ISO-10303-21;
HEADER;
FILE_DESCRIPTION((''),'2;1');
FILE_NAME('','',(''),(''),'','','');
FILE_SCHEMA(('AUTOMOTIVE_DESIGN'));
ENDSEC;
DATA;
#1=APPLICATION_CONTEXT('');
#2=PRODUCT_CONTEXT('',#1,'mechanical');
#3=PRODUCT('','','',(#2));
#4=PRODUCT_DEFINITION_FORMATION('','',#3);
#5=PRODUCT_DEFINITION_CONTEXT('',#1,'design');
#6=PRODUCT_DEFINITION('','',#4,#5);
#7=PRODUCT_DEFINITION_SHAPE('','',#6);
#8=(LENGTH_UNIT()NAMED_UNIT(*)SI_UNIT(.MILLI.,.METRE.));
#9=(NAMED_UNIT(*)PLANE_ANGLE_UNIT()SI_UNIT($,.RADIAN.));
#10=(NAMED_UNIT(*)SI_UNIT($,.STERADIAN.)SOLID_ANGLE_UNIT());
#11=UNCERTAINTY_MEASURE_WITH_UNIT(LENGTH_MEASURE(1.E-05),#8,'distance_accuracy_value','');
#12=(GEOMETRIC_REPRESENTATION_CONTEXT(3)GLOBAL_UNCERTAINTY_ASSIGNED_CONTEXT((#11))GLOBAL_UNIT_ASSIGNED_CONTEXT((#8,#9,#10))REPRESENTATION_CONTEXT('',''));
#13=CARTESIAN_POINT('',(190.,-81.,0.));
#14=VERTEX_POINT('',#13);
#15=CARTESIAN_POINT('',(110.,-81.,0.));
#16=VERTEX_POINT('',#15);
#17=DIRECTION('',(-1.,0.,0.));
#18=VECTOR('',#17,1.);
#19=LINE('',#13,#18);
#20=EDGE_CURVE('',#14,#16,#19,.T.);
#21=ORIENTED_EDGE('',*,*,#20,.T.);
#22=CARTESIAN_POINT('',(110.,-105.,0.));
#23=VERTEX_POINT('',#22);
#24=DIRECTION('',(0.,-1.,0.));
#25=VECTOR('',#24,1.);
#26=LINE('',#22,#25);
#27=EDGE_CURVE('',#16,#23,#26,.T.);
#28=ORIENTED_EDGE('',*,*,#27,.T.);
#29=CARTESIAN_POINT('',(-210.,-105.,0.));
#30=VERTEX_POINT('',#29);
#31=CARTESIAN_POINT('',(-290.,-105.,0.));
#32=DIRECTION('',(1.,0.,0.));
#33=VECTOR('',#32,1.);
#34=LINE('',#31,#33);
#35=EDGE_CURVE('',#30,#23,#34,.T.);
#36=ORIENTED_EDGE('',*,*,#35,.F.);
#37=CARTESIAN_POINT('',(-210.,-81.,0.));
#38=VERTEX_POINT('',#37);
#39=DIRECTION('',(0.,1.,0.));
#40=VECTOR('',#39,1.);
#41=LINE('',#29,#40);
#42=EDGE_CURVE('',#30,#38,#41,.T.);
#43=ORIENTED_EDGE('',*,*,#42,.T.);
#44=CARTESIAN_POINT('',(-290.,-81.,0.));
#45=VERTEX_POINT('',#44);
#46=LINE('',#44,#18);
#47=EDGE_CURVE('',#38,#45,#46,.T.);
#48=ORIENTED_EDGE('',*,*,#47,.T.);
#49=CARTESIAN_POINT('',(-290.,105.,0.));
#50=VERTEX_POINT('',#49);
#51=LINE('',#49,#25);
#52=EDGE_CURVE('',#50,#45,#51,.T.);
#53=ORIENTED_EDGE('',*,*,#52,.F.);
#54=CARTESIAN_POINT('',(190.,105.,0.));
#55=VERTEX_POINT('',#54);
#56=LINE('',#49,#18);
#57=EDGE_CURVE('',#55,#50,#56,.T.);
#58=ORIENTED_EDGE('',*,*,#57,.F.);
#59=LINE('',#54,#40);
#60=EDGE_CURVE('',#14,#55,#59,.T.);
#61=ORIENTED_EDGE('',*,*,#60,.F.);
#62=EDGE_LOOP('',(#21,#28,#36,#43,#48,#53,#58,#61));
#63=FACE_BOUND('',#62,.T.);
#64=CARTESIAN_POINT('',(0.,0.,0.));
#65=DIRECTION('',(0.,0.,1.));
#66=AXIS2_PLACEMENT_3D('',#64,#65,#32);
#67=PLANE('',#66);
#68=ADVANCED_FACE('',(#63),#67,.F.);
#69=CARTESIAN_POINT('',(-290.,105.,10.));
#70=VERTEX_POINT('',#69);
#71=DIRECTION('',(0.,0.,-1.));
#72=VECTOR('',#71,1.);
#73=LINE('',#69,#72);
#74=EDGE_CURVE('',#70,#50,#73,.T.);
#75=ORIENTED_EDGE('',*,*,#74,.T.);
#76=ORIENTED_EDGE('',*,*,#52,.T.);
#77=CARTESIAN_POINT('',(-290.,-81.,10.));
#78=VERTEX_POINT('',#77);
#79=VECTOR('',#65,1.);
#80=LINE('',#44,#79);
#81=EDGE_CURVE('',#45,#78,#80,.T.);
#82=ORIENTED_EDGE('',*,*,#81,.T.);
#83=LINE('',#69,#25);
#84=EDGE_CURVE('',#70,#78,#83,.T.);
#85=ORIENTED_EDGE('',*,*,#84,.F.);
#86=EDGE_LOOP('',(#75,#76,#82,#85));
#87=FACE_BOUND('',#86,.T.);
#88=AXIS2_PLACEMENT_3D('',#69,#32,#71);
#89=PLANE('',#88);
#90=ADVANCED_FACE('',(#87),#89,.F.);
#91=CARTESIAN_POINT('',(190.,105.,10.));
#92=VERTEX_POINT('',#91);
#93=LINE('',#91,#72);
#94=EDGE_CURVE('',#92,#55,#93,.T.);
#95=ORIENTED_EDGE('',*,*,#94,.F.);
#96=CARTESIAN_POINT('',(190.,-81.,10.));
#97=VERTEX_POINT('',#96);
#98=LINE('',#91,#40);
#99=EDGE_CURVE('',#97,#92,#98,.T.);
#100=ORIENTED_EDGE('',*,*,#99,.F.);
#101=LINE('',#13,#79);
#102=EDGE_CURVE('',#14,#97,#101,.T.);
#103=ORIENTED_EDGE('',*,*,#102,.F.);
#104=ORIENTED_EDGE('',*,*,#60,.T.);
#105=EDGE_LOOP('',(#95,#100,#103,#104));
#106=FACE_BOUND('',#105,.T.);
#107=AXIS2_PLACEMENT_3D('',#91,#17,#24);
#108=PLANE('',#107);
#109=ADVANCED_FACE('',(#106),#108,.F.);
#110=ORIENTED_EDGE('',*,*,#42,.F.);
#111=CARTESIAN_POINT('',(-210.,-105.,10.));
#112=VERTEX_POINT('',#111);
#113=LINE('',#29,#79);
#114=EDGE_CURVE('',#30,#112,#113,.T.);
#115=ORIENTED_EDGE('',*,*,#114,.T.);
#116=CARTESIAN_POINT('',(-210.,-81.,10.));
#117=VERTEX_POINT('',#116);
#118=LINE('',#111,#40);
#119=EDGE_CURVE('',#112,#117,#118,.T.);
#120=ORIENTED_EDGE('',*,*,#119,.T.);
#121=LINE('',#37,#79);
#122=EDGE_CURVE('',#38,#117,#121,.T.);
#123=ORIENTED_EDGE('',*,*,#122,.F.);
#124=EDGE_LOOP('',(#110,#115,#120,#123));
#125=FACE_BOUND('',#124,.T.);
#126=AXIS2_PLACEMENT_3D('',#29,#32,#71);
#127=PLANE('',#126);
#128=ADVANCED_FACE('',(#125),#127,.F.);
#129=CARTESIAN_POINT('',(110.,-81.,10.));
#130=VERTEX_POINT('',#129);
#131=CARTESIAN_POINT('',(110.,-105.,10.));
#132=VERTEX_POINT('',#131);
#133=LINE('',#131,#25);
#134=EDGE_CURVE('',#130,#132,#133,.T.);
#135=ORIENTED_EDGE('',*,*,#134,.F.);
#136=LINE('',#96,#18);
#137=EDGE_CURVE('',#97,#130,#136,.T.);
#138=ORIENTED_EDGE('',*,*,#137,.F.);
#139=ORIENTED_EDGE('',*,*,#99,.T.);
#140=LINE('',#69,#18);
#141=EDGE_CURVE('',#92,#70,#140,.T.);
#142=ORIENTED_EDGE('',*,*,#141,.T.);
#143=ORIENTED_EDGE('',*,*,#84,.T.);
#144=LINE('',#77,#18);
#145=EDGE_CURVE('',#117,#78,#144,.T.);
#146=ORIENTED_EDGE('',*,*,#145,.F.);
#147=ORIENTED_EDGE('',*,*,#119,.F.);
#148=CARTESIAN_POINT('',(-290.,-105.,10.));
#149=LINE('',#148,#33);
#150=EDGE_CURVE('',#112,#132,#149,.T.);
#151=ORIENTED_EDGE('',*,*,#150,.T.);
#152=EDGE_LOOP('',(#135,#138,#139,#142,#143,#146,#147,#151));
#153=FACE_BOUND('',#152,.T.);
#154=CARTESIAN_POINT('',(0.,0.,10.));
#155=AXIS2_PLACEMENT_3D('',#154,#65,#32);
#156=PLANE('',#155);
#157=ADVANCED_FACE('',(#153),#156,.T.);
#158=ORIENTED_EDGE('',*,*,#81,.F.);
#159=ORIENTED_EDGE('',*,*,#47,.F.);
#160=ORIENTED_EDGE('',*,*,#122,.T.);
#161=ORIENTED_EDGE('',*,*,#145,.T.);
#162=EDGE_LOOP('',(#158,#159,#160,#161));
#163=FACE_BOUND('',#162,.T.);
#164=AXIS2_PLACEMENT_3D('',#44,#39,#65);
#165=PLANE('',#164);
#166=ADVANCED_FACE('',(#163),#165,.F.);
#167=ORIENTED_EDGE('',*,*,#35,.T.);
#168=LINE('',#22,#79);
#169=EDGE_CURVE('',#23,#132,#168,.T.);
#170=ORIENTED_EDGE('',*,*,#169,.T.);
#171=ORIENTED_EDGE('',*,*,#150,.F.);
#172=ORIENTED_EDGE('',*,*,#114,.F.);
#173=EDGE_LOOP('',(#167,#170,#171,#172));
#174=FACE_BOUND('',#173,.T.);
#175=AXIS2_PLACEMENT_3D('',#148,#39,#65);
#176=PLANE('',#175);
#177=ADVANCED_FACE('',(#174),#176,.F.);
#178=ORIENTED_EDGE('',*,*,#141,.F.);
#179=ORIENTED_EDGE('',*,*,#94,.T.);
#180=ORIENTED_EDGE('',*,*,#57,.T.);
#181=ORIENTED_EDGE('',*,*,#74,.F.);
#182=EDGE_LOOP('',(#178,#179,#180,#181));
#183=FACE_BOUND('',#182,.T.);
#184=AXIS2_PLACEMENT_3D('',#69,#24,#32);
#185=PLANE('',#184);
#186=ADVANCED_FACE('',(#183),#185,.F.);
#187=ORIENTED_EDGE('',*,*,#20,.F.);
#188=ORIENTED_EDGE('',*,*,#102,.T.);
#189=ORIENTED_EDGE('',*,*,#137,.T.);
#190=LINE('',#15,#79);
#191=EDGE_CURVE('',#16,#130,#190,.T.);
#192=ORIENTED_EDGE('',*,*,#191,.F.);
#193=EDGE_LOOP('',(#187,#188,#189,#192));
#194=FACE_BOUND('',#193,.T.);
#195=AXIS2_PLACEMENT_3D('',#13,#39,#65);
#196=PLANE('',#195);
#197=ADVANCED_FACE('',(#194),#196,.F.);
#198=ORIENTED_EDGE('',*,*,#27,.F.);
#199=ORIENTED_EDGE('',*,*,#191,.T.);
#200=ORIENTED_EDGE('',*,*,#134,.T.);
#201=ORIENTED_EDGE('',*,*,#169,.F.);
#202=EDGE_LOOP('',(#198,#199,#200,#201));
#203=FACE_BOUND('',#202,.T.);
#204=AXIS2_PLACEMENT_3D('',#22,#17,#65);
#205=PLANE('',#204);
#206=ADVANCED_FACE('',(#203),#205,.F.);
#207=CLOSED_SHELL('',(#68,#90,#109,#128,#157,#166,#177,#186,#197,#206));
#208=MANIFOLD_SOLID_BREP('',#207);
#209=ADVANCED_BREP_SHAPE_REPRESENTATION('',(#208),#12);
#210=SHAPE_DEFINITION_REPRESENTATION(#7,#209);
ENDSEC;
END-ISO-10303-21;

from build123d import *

# Parameters (mm, degrees)
ESQUISSE1_W             = 480
ESQUISSE1_H             = 210
BOSS_EXTRU_1_DEPTH      = 10
ESQUISSE2_W             = 80
ESQUISSE2_H             = 24
ENL_V_MAT_EXTRU_1_DEPTH = 11


with BuildPart() as part:
    # Esquisse1 → Boss.-Extru.1 (new body)
    with BuildSketch(Plane.XY):
        with Locations((-50, 0)):
            Rectangle(ESQUISSE1_W, ESQUISSE1_H)
    extrude(amount=BOSS_EXTRU_1_DEPTH)

    # Esquisse2 → Enlèv. mat.-Extru.1 (cut, through all)
    with BuildSketch(Plane.XY.offset(10)):
        with Locations((150, -93)):
            Rectangle(ESQUISSE2_W, ESQUISSE2_H)
        with Locations((-250, -93)):
            Rectangle(ESQUISSE2_W, ESQUISSE2_H)
    extrude(amount=-ENL_V_MAT_EXTRU_1_DEPTH, mode=Mode.SUBTRACT)


solid = part.part
